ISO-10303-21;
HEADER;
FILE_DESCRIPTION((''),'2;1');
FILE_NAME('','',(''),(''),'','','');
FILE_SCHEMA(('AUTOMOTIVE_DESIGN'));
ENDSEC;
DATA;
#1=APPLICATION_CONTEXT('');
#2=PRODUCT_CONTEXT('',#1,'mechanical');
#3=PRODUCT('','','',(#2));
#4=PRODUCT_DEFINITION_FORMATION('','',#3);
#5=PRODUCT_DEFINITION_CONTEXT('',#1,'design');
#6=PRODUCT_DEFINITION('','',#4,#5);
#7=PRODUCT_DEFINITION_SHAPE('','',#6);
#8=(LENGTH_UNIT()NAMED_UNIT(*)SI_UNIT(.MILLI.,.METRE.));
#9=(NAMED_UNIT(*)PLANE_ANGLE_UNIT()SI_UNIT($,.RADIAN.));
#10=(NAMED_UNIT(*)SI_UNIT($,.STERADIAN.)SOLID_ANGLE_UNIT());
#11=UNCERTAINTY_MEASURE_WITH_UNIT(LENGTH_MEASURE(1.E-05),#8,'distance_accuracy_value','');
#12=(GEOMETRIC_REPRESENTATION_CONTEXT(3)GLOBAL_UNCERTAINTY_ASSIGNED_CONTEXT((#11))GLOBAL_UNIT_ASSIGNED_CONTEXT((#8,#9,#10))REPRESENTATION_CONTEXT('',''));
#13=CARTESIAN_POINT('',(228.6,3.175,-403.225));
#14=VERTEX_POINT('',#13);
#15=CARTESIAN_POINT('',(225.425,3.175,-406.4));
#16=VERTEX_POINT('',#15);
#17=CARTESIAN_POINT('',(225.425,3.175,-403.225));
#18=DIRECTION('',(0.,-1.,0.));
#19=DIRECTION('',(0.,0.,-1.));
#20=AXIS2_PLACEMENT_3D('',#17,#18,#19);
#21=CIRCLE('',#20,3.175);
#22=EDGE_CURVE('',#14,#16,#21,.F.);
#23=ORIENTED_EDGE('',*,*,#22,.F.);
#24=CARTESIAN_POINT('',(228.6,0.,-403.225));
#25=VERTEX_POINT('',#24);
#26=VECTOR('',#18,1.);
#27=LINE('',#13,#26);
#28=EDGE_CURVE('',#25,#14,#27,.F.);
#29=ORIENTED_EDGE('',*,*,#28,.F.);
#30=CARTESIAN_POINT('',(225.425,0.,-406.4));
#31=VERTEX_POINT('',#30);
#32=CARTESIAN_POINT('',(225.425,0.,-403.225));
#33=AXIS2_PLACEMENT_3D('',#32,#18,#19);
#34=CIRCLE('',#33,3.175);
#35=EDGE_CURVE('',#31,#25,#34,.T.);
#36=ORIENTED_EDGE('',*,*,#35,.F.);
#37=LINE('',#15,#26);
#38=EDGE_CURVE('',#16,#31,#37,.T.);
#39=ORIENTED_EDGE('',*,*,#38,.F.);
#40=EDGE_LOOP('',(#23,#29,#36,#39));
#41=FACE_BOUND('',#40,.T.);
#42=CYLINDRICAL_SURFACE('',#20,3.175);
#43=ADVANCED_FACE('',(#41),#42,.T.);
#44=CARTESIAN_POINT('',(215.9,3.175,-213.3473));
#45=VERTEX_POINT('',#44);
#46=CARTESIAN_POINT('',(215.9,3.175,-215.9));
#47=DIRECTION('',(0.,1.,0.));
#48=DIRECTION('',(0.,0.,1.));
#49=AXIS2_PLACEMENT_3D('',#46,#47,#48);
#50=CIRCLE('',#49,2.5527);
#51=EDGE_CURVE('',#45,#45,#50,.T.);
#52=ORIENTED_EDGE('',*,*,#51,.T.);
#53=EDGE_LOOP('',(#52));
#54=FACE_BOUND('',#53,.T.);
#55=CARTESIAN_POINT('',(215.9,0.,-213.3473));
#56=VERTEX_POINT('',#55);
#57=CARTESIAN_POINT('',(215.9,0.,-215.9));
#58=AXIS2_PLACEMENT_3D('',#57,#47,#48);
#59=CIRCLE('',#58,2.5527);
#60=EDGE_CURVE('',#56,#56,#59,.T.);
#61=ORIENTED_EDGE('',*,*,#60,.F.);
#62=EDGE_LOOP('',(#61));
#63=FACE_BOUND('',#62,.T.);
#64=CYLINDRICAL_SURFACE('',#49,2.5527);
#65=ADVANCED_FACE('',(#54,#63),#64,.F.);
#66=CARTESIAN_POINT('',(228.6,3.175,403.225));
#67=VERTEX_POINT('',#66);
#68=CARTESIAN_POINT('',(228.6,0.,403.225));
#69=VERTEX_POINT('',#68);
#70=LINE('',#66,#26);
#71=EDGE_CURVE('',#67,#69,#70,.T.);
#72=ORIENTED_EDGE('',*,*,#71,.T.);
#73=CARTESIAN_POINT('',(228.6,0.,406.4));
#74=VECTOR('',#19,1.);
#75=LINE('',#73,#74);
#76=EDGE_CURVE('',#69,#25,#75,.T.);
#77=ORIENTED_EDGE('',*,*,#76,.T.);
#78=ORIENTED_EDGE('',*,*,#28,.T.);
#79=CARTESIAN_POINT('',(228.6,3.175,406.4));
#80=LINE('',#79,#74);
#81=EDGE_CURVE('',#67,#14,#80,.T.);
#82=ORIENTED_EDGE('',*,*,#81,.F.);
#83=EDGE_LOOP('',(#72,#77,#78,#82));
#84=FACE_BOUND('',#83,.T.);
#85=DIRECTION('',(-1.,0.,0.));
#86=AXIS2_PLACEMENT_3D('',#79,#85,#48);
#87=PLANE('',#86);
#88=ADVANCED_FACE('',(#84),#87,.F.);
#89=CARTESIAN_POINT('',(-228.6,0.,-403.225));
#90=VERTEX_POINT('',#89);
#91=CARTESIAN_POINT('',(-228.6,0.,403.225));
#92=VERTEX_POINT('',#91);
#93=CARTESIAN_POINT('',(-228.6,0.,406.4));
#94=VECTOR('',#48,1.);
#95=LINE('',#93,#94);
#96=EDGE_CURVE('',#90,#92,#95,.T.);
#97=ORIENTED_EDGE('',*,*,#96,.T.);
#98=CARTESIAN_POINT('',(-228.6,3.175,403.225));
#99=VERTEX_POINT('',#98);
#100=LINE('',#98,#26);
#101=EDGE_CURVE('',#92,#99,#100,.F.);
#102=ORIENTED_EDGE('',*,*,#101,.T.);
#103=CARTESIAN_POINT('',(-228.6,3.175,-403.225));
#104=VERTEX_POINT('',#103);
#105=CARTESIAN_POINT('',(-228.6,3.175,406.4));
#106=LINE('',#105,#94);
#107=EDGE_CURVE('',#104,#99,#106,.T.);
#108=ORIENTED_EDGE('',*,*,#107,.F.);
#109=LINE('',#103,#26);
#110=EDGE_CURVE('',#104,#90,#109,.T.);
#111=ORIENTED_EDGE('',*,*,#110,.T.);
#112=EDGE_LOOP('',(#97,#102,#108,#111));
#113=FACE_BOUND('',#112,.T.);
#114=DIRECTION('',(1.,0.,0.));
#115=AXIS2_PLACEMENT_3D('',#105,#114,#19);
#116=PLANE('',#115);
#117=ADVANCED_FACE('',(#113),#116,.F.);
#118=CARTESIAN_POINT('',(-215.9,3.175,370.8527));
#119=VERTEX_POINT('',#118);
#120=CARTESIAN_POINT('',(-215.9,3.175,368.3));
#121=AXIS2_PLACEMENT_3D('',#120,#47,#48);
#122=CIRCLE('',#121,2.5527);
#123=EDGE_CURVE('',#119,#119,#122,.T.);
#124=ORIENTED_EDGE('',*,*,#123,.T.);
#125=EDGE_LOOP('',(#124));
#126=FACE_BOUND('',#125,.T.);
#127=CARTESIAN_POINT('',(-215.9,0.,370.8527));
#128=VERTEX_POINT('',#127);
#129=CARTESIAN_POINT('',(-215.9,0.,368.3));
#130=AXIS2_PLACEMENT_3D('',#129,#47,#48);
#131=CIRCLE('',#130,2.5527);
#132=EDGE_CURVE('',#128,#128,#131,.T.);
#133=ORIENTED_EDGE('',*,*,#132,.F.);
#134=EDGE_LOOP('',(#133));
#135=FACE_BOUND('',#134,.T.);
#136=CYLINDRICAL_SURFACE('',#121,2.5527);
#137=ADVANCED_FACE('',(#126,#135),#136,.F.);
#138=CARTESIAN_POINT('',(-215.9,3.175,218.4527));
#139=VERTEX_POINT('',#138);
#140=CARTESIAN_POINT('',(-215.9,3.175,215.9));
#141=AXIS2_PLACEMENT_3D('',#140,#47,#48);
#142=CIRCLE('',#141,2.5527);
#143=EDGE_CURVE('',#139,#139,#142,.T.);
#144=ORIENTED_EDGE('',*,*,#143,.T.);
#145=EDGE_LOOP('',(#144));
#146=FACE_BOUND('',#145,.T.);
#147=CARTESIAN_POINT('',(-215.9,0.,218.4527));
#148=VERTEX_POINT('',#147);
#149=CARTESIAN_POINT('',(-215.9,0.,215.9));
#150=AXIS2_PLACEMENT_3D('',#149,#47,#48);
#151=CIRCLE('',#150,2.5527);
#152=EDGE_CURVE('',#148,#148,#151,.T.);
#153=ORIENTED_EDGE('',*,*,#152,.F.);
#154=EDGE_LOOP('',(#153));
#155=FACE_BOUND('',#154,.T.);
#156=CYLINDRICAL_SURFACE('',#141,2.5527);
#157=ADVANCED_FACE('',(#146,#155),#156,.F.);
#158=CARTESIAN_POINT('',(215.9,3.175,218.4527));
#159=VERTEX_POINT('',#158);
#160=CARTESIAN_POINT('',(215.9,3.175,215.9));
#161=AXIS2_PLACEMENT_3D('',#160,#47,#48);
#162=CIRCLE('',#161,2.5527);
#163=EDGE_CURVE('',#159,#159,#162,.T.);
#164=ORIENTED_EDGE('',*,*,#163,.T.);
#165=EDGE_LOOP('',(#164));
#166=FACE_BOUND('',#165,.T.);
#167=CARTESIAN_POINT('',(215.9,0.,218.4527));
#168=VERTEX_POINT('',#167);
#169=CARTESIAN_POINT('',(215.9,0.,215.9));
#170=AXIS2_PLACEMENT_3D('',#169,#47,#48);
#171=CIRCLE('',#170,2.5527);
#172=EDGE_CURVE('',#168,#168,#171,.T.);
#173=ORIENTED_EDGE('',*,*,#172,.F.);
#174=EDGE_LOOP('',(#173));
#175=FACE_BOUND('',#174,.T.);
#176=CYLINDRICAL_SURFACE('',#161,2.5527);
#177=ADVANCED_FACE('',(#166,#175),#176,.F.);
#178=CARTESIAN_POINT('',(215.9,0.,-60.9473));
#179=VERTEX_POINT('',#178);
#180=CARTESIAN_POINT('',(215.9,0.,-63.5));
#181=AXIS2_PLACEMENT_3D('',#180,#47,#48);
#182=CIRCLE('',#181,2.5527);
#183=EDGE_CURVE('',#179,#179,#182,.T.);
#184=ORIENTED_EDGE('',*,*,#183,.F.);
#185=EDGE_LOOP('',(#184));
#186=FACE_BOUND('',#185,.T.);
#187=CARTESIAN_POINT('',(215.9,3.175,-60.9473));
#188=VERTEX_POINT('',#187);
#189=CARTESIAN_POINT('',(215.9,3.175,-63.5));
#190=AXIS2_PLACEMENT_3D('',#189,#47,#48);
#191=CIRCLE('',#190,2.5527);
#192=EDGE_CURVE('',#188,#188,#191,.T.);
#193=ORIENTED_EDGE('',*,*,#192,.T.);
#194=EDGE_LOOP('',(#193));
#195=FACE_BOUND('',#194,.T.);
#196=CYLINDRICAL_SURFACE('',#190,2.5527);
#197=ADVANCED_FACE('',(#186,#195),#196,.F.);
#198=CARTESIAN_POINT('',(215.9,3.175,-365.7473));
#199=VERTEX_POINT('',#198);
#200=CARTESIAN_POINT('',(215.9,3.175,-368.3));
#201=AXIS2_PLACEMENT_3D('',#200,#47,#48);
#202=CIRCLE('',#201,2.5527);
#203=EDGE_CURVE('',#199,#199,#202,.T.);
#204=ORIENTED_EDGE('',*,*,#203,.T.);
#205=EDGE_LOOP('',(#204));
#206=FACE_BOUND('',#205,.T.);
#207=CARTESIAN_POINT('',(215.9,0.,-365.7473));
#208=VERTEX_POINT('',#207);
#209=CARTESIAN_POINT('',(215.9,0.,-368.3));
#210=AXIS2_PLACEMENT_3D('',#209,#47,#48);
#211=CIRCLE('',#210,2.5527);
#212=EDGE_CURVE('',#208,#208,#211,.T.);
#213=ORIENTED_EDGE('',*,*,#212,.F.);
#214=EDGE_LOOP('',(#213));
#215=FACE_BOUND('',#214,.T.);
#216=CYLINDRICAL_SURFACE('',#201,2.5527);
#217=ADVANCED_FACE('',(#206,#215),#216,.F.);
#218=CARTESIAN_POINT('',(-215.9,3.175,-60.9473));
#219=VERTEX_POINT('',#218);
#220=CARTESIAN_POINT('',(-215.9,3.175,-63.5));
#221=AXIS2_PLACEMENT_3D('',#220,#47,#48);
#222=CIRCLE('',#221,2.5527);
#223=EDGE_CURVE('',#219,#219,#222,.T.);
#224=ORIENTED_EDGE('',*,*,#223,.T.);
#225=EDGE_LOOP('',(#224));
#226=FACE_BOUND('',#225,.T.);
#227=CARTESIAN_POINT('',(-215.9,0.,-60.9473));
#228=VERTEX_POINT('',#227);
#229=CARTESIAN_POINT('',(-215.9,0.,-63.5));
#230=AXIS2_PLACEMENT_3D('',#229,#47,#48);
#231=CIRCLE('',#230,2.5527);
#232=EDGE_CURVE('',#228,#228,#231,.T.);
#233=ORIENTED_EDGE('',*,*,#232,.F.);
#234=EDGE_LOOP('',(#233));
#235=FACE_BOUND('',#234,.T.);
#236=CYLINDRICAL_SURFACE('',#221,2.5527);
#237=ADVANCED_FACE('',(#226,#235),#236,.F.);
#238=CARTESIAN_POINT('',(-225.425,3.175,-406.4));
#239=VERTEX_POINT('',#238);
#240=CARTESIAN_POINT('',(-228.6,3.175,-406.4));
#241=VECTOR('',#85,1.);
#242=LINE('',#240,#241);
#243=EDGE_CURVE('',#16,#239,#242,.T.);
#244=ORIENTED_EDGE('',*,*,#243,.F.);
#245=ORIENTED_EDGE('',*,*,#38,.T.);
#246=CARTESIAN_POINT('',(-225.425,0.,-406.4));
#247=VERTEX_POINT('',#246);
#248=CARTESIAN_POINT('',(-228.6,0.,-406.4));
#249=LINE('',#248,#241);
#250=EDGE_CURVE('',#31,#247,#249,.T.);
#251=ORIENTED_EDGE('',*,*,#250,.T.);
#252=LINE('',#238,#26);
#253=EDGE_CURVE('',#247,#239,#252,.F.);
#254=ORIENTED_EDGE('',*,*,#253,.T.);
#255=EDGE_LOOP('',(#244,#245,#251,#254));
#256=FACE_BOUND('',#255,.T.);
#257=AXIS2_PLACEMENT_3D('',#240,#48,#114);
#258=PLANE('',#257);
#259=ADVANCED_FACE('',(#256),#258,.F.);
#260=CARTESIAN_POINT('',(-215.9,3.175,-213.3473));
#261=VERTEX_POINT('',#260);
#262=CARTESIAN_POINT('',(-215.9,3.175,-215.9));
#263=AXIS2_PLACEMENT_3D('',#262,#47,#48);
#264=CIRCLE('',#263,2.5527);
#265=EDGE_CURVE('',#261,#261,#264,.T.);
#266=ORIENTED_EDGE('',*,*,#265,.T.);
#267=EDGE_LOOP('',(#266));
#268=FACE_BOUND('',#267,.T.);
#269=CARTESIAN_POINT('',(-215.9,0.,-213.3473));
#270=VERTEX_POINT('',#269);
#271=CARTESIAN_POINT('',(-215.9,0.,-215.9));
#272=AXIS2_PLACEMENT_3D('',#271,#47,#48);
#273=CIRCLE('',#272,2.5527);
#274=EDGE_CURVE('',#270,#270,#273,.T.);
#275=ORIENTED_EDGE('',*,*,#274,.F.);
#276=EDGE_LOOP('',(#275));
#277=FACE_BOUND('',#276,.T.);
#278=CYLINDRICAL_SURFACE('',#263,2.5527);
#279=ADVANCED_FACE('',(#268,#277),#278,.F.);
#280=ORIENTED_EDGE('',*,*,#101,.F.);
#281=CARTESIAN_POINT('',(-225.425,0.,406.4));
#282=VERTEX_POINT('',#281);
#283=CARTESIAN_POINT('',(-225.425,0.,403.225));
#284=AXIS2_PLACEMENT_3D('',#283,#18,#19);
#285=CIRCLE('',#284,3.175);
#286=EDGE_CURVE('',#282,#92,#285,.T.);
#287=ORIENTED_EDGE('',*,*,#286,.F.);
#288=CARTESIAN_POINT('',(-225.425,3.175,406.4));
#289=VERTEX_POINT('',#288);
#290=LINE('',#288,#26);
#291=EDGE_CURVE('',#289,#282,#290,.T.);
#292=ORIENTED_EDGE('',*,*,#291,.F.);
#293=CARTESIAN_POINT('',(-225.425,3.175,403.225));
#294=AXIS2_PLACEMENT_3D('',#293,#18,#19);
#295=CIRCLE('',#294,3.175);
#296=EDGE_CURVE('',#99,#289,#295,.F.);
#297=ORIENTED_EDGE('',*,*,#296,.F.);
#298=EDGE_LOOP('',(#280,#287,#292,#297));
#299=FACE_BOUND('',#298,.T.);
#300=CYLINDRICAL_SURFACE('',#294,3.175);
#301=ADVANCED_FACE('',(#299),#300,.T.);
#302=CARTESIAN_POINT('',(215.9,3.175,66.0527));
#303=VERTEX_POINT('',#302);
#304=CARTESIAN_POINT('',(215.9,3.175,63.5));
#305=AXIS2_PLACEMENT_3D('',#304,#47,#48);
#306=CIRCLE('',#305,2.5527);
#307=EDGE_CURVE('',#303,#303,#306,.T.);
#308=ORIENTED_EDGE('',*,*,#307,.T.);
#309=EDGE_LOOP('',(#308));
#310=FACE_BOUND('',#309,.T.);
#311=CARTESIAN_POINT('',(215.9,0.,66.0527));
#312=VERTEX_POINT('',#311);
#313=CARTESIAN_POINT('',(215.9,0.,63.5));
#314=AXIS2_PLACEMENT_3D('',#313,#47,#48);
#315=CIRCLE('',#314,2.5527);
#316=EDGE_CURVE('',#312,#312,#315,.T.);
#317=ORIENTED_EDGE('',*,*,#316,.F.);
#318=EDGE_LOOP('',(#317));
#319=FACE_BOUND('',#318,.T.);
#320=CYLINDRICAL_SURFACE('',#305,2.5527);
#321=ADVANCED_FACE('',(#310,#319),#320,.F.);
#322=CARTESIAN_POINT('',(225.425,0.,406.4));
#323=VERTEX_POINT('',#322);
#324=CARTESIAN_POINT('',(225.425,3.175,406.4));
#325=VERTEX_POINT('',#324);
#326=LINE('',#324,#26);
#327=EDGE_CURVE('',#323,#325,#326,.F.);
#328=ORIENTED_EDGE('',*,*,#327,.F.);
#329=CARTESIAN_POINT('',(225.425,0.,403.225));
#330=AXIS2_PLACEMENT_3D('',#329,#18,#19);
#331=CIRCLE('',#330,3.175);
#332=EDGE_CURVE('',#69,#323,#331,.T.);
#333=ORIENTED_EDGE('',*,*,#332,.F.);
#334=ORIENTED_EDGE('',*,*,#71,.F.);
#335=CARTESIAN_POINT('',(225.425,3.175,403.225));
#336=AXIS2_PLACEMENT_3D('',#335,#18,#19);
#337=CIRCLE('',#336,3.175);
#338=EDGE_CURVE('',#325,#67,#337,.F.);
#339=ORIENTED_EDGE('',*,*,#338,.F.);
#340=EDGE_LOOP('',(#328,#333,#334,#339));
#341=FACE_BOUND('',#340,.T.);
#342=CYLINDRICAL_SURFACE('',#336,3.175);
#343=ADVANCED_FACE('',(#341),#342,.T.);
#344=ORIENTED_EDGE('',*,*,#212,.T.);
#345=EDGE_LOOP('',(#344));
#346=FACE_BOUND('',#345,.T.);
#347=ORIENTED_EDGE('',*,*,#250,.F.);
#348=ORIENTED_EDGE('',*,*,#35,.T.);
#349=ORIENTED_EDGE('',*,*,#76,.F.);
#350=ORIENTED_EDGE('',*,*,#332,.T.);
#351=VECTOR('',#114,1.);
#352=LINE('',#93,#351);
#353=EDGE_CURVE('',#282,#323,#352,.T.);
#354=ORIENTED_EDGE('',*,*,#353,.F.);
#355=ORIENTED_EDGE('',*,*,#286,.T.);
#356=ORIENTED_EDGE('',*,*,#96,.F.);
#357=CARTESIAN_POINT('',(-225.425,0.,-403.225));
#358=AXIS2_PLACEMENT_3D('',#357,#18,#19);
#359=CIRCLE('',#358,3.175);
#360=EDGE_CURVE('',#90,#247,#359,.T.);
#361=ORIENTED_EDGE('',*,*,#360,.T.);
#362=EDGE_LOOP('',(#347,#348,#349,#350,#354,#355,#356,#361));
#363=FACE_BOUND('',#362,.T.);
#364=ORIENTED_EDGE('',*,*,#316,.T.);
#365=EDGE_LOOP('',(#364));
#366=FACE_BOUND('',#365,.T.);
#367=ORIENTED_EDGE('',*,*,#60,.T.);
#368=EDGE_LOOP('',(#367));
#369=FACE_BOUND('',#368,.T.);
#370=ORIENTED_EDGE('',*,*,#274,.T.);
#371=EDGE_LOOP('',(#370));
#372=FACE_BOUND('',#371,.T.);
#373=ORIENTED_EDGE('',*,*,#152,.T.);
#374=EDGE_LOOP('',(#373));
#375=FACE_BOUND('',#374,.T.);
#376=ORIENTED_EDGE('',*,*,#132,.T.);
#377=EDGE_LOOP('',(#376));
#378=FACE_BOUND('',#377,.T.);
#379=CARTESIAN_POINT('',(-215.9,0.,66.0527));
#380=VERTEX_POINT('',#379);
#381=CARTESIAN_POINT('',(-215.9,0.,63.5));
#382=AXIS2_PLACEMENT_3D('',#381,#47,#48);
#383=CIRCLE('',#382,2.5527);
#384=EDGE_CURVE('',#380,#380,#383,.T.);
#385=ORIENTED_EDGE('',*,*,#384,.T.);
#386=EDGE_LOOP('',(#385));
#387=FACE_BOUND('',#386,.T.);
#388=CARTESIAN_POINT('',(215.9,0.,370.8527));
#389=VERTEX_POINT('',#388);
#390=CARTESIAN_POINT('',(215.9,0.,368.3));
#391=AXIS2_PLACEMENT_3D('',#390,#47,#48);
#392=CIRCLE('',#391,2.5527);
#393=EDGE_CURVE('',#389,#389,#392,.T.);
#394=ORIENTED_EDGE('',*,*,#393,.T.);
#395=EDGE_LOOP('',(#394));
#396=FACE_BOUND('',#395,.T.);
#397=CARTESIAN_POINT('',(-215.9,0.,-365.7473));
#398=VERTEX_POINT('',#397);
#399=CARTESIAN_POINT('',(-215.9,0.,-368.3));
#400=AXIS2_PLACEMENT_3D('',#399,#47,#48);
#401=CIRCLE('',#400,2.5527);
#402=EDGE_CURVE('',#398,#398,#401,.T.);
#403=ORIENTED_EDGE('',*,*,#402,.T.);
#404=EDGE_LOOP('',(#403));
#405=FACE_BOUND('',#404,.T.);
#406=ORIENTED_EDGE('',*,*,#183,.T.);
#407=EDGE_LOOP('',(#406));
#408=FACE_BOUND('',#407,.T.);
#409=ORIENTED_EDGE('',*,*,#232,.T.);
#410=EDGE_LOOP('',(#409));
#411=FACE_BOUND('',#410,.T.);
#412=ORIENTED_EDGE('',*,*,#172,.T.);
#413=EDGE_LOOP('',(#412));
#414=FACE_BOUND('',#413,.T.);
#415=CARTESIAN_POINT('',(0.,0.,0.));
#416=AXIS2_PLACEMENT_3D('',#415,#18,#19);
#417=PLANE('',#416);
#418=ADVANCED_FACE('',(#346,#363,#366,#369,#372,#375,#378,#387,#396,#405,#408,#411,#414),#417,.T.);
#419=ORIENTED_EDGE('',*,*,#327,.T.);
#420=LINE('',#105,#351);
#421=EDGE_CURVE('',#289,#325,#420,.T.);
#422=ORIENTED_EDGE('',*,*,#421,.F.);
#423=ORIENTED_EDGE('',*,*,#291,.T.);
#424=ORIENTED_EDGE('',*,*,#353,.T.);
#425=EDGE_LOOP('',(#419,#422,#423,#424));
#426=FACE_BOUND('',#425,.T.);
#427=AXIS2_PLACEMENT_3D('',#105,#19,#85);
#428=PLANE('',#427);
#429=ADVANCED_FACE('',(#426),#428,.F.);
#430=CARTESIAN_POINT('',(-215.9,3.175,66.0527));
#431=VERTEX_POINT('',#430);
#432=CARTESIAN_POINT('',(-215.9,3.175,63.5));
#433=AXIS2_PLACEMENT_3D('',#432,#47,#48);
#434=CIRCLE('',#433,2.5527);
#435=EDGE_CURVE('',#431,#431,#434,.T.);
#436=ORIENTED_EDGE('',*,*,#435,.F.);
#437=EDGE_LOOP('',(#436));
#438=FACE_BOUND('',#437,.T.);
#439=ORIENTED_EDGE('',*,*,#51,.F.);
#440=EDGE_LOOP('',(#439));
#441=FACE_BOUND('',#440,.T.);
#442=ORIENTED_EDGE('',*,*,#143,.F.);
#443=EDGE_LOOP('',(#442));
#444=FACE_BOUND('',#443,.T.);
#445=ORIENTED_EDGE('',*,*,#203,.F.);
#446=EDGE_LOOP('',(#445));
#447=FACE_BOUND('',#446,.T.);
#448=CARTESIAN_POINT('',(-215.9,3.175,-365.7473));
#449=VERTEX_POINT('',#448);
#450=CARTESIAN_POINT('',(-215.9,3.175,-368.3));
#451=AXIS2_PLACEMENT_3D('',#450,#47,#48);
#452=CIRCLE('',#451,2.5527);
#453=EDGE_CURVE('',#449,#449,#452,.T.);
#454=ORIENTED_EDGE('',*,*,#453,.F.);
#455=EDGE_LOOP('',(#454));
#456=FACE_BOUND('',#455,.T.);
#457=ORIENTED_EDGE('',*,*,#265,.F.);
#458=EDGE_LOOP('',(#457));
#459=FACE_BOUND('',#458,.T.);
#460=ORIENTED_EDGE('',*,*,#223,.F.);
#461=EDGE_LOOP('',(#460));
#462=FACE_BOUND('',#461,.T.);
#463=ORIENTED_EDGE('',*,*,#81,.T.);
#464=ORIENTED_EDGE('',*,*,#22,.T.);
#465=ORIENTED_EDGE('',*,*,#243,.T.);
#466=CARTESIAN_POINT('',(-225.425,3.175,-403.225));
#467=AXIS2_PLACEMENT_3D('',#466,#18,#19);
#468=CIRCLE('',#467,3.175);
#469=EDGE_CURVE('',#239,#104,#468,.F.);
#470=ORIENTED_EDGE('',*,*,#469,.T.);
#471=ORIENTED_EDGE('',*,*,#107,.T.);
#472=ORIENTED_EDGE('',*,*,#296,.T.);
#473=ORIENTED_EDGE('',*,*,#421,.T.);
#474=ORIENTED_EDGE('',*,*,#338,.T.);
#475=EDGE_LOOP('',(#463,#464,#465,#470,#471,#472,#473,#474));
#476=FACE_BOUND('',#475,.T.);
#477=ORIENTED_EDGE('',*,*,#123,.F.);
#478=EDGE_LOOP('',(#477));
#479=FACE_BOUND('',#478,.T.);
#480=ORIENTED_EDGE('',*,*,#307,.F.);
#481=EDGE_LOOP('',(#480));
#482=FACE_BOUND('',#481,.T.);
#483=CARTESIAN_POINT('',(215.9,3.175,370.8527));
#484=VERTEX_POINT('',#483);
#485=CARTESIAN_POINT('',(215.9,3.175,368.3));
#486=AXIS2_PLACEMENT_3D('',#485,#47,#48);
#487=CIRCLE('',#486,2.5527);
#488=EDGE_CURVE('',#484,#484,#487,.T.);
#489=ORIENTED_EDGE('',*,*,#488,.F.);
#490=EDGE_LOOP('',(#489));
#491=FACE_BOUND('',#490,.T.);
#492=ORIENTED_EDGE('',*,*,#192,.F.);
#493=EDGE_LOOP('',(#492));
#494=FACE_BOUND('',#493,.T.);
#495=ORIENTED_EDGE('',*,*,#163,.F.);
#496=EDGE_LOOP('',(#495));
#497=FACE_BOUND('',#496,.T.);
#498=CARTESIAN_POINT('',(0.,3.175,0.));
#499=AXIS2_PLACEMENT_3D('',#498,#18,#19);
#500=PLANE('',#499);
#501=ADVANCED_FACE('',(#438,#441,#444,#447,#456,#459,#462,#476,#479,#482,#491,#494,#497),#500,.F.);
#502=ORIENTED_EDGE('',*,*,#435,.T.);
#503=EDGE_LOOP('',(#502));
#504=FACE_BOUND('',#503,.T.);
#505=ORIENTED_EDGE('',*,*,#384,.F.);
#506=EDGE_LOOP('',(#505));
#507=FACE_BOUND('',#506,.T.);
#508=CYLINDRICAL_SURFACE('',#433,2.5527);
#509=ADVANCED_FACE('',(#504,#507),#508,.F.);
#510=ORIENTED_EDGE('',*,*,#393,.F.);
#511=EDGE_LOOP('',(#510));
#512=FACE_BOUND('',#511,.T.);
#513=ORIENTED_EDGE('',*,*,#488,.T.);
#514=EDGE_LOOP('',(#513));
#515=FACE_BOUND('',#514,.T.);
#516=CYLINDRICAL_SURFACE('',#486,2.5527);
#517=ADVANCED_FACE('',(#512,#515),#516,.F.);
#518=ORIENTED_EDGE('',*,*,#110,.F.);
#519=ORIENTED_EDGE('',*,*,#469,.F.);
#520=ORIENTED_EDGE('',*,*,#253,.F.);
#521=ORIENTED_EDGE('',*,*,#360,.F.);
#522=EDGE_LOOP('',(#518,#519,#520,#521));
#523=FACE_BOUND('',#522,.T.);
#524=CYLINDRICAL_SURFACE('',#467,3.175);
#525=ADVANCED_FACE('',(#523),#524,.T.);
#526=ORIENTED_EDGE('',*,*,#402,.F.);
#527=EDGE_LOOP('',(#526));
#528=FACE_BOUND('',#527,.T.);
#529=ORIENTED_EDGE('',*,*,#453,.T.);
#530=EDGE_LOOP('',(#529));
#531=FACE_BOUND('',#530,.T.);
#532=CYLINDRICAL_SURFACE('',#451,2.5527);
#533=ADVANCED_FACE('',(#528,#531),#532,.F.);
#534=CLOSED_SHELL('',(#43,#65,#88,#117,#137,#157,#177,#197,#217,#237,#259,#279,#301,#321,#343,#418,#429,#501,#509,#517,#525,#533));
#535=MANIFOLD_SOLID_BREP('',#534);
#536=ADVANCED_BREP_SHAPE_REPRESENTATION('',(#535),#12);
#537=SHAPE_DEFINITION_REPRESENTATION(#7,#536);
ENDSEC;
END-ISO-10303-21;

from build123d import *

# Parameters (mm, degrees)
SKETCH1_W                  = 457.2
SKETCH1_H                  = 812.8
BOSS_EXTRUDE1_DEPTH        = 3.175
F_7_0_201_DIAMETER_HOLE1_D = 5.1054
FILLET1_R                  = 3.175


with BuildPart() as part:
    # Sketch1 → Boss-Extrude1 (new body)
    with BuildSketch(Plane(origin=(0, 0, 0), x_dir=(1, 0, 0), z_dir=(0, 1, 0))):
        Rectangle(SKETCH1_W, SKETCH1_H)
    extrude(amount=BOSS_EXTRUDE1_DEPTH)

    # #7 (0.201) Diameter Hole1 (through all)
    with Locations(Plane(origin=(0, 3.175, 0), x_dir=(1, 0, 0), z_dir=(0, 1, 0))):
        with Locations((-215.9, 368.3), (215.9, 368.3), (215.9, 215.9), (215.9, 63.5), (215.9, -63.5), (215.9, -215.9), (215.9, -368.3), (-215.9, 215.9), (-215.9, 63.5), (-215.9, -63.5), (-215.9, -215.9), (-215.9, -368.3)):
            Hole(F_7_0_201_DIAMETER_HOLE1_D / 2)

    # Fillet1
    fillet1_edges = [part.edges().sort_by_distance(p)[0] for p in [
        (228.6, 1.5875, 406.4),
        (-228.6, 1.5875, 406.4),
        (-228.6, 1.5875, -406.4),
        (228.6, 1.5875, -406.4),
    ]]
    fillet(fillet1_edges, radius=FILLET1_R)


solid = part.part
